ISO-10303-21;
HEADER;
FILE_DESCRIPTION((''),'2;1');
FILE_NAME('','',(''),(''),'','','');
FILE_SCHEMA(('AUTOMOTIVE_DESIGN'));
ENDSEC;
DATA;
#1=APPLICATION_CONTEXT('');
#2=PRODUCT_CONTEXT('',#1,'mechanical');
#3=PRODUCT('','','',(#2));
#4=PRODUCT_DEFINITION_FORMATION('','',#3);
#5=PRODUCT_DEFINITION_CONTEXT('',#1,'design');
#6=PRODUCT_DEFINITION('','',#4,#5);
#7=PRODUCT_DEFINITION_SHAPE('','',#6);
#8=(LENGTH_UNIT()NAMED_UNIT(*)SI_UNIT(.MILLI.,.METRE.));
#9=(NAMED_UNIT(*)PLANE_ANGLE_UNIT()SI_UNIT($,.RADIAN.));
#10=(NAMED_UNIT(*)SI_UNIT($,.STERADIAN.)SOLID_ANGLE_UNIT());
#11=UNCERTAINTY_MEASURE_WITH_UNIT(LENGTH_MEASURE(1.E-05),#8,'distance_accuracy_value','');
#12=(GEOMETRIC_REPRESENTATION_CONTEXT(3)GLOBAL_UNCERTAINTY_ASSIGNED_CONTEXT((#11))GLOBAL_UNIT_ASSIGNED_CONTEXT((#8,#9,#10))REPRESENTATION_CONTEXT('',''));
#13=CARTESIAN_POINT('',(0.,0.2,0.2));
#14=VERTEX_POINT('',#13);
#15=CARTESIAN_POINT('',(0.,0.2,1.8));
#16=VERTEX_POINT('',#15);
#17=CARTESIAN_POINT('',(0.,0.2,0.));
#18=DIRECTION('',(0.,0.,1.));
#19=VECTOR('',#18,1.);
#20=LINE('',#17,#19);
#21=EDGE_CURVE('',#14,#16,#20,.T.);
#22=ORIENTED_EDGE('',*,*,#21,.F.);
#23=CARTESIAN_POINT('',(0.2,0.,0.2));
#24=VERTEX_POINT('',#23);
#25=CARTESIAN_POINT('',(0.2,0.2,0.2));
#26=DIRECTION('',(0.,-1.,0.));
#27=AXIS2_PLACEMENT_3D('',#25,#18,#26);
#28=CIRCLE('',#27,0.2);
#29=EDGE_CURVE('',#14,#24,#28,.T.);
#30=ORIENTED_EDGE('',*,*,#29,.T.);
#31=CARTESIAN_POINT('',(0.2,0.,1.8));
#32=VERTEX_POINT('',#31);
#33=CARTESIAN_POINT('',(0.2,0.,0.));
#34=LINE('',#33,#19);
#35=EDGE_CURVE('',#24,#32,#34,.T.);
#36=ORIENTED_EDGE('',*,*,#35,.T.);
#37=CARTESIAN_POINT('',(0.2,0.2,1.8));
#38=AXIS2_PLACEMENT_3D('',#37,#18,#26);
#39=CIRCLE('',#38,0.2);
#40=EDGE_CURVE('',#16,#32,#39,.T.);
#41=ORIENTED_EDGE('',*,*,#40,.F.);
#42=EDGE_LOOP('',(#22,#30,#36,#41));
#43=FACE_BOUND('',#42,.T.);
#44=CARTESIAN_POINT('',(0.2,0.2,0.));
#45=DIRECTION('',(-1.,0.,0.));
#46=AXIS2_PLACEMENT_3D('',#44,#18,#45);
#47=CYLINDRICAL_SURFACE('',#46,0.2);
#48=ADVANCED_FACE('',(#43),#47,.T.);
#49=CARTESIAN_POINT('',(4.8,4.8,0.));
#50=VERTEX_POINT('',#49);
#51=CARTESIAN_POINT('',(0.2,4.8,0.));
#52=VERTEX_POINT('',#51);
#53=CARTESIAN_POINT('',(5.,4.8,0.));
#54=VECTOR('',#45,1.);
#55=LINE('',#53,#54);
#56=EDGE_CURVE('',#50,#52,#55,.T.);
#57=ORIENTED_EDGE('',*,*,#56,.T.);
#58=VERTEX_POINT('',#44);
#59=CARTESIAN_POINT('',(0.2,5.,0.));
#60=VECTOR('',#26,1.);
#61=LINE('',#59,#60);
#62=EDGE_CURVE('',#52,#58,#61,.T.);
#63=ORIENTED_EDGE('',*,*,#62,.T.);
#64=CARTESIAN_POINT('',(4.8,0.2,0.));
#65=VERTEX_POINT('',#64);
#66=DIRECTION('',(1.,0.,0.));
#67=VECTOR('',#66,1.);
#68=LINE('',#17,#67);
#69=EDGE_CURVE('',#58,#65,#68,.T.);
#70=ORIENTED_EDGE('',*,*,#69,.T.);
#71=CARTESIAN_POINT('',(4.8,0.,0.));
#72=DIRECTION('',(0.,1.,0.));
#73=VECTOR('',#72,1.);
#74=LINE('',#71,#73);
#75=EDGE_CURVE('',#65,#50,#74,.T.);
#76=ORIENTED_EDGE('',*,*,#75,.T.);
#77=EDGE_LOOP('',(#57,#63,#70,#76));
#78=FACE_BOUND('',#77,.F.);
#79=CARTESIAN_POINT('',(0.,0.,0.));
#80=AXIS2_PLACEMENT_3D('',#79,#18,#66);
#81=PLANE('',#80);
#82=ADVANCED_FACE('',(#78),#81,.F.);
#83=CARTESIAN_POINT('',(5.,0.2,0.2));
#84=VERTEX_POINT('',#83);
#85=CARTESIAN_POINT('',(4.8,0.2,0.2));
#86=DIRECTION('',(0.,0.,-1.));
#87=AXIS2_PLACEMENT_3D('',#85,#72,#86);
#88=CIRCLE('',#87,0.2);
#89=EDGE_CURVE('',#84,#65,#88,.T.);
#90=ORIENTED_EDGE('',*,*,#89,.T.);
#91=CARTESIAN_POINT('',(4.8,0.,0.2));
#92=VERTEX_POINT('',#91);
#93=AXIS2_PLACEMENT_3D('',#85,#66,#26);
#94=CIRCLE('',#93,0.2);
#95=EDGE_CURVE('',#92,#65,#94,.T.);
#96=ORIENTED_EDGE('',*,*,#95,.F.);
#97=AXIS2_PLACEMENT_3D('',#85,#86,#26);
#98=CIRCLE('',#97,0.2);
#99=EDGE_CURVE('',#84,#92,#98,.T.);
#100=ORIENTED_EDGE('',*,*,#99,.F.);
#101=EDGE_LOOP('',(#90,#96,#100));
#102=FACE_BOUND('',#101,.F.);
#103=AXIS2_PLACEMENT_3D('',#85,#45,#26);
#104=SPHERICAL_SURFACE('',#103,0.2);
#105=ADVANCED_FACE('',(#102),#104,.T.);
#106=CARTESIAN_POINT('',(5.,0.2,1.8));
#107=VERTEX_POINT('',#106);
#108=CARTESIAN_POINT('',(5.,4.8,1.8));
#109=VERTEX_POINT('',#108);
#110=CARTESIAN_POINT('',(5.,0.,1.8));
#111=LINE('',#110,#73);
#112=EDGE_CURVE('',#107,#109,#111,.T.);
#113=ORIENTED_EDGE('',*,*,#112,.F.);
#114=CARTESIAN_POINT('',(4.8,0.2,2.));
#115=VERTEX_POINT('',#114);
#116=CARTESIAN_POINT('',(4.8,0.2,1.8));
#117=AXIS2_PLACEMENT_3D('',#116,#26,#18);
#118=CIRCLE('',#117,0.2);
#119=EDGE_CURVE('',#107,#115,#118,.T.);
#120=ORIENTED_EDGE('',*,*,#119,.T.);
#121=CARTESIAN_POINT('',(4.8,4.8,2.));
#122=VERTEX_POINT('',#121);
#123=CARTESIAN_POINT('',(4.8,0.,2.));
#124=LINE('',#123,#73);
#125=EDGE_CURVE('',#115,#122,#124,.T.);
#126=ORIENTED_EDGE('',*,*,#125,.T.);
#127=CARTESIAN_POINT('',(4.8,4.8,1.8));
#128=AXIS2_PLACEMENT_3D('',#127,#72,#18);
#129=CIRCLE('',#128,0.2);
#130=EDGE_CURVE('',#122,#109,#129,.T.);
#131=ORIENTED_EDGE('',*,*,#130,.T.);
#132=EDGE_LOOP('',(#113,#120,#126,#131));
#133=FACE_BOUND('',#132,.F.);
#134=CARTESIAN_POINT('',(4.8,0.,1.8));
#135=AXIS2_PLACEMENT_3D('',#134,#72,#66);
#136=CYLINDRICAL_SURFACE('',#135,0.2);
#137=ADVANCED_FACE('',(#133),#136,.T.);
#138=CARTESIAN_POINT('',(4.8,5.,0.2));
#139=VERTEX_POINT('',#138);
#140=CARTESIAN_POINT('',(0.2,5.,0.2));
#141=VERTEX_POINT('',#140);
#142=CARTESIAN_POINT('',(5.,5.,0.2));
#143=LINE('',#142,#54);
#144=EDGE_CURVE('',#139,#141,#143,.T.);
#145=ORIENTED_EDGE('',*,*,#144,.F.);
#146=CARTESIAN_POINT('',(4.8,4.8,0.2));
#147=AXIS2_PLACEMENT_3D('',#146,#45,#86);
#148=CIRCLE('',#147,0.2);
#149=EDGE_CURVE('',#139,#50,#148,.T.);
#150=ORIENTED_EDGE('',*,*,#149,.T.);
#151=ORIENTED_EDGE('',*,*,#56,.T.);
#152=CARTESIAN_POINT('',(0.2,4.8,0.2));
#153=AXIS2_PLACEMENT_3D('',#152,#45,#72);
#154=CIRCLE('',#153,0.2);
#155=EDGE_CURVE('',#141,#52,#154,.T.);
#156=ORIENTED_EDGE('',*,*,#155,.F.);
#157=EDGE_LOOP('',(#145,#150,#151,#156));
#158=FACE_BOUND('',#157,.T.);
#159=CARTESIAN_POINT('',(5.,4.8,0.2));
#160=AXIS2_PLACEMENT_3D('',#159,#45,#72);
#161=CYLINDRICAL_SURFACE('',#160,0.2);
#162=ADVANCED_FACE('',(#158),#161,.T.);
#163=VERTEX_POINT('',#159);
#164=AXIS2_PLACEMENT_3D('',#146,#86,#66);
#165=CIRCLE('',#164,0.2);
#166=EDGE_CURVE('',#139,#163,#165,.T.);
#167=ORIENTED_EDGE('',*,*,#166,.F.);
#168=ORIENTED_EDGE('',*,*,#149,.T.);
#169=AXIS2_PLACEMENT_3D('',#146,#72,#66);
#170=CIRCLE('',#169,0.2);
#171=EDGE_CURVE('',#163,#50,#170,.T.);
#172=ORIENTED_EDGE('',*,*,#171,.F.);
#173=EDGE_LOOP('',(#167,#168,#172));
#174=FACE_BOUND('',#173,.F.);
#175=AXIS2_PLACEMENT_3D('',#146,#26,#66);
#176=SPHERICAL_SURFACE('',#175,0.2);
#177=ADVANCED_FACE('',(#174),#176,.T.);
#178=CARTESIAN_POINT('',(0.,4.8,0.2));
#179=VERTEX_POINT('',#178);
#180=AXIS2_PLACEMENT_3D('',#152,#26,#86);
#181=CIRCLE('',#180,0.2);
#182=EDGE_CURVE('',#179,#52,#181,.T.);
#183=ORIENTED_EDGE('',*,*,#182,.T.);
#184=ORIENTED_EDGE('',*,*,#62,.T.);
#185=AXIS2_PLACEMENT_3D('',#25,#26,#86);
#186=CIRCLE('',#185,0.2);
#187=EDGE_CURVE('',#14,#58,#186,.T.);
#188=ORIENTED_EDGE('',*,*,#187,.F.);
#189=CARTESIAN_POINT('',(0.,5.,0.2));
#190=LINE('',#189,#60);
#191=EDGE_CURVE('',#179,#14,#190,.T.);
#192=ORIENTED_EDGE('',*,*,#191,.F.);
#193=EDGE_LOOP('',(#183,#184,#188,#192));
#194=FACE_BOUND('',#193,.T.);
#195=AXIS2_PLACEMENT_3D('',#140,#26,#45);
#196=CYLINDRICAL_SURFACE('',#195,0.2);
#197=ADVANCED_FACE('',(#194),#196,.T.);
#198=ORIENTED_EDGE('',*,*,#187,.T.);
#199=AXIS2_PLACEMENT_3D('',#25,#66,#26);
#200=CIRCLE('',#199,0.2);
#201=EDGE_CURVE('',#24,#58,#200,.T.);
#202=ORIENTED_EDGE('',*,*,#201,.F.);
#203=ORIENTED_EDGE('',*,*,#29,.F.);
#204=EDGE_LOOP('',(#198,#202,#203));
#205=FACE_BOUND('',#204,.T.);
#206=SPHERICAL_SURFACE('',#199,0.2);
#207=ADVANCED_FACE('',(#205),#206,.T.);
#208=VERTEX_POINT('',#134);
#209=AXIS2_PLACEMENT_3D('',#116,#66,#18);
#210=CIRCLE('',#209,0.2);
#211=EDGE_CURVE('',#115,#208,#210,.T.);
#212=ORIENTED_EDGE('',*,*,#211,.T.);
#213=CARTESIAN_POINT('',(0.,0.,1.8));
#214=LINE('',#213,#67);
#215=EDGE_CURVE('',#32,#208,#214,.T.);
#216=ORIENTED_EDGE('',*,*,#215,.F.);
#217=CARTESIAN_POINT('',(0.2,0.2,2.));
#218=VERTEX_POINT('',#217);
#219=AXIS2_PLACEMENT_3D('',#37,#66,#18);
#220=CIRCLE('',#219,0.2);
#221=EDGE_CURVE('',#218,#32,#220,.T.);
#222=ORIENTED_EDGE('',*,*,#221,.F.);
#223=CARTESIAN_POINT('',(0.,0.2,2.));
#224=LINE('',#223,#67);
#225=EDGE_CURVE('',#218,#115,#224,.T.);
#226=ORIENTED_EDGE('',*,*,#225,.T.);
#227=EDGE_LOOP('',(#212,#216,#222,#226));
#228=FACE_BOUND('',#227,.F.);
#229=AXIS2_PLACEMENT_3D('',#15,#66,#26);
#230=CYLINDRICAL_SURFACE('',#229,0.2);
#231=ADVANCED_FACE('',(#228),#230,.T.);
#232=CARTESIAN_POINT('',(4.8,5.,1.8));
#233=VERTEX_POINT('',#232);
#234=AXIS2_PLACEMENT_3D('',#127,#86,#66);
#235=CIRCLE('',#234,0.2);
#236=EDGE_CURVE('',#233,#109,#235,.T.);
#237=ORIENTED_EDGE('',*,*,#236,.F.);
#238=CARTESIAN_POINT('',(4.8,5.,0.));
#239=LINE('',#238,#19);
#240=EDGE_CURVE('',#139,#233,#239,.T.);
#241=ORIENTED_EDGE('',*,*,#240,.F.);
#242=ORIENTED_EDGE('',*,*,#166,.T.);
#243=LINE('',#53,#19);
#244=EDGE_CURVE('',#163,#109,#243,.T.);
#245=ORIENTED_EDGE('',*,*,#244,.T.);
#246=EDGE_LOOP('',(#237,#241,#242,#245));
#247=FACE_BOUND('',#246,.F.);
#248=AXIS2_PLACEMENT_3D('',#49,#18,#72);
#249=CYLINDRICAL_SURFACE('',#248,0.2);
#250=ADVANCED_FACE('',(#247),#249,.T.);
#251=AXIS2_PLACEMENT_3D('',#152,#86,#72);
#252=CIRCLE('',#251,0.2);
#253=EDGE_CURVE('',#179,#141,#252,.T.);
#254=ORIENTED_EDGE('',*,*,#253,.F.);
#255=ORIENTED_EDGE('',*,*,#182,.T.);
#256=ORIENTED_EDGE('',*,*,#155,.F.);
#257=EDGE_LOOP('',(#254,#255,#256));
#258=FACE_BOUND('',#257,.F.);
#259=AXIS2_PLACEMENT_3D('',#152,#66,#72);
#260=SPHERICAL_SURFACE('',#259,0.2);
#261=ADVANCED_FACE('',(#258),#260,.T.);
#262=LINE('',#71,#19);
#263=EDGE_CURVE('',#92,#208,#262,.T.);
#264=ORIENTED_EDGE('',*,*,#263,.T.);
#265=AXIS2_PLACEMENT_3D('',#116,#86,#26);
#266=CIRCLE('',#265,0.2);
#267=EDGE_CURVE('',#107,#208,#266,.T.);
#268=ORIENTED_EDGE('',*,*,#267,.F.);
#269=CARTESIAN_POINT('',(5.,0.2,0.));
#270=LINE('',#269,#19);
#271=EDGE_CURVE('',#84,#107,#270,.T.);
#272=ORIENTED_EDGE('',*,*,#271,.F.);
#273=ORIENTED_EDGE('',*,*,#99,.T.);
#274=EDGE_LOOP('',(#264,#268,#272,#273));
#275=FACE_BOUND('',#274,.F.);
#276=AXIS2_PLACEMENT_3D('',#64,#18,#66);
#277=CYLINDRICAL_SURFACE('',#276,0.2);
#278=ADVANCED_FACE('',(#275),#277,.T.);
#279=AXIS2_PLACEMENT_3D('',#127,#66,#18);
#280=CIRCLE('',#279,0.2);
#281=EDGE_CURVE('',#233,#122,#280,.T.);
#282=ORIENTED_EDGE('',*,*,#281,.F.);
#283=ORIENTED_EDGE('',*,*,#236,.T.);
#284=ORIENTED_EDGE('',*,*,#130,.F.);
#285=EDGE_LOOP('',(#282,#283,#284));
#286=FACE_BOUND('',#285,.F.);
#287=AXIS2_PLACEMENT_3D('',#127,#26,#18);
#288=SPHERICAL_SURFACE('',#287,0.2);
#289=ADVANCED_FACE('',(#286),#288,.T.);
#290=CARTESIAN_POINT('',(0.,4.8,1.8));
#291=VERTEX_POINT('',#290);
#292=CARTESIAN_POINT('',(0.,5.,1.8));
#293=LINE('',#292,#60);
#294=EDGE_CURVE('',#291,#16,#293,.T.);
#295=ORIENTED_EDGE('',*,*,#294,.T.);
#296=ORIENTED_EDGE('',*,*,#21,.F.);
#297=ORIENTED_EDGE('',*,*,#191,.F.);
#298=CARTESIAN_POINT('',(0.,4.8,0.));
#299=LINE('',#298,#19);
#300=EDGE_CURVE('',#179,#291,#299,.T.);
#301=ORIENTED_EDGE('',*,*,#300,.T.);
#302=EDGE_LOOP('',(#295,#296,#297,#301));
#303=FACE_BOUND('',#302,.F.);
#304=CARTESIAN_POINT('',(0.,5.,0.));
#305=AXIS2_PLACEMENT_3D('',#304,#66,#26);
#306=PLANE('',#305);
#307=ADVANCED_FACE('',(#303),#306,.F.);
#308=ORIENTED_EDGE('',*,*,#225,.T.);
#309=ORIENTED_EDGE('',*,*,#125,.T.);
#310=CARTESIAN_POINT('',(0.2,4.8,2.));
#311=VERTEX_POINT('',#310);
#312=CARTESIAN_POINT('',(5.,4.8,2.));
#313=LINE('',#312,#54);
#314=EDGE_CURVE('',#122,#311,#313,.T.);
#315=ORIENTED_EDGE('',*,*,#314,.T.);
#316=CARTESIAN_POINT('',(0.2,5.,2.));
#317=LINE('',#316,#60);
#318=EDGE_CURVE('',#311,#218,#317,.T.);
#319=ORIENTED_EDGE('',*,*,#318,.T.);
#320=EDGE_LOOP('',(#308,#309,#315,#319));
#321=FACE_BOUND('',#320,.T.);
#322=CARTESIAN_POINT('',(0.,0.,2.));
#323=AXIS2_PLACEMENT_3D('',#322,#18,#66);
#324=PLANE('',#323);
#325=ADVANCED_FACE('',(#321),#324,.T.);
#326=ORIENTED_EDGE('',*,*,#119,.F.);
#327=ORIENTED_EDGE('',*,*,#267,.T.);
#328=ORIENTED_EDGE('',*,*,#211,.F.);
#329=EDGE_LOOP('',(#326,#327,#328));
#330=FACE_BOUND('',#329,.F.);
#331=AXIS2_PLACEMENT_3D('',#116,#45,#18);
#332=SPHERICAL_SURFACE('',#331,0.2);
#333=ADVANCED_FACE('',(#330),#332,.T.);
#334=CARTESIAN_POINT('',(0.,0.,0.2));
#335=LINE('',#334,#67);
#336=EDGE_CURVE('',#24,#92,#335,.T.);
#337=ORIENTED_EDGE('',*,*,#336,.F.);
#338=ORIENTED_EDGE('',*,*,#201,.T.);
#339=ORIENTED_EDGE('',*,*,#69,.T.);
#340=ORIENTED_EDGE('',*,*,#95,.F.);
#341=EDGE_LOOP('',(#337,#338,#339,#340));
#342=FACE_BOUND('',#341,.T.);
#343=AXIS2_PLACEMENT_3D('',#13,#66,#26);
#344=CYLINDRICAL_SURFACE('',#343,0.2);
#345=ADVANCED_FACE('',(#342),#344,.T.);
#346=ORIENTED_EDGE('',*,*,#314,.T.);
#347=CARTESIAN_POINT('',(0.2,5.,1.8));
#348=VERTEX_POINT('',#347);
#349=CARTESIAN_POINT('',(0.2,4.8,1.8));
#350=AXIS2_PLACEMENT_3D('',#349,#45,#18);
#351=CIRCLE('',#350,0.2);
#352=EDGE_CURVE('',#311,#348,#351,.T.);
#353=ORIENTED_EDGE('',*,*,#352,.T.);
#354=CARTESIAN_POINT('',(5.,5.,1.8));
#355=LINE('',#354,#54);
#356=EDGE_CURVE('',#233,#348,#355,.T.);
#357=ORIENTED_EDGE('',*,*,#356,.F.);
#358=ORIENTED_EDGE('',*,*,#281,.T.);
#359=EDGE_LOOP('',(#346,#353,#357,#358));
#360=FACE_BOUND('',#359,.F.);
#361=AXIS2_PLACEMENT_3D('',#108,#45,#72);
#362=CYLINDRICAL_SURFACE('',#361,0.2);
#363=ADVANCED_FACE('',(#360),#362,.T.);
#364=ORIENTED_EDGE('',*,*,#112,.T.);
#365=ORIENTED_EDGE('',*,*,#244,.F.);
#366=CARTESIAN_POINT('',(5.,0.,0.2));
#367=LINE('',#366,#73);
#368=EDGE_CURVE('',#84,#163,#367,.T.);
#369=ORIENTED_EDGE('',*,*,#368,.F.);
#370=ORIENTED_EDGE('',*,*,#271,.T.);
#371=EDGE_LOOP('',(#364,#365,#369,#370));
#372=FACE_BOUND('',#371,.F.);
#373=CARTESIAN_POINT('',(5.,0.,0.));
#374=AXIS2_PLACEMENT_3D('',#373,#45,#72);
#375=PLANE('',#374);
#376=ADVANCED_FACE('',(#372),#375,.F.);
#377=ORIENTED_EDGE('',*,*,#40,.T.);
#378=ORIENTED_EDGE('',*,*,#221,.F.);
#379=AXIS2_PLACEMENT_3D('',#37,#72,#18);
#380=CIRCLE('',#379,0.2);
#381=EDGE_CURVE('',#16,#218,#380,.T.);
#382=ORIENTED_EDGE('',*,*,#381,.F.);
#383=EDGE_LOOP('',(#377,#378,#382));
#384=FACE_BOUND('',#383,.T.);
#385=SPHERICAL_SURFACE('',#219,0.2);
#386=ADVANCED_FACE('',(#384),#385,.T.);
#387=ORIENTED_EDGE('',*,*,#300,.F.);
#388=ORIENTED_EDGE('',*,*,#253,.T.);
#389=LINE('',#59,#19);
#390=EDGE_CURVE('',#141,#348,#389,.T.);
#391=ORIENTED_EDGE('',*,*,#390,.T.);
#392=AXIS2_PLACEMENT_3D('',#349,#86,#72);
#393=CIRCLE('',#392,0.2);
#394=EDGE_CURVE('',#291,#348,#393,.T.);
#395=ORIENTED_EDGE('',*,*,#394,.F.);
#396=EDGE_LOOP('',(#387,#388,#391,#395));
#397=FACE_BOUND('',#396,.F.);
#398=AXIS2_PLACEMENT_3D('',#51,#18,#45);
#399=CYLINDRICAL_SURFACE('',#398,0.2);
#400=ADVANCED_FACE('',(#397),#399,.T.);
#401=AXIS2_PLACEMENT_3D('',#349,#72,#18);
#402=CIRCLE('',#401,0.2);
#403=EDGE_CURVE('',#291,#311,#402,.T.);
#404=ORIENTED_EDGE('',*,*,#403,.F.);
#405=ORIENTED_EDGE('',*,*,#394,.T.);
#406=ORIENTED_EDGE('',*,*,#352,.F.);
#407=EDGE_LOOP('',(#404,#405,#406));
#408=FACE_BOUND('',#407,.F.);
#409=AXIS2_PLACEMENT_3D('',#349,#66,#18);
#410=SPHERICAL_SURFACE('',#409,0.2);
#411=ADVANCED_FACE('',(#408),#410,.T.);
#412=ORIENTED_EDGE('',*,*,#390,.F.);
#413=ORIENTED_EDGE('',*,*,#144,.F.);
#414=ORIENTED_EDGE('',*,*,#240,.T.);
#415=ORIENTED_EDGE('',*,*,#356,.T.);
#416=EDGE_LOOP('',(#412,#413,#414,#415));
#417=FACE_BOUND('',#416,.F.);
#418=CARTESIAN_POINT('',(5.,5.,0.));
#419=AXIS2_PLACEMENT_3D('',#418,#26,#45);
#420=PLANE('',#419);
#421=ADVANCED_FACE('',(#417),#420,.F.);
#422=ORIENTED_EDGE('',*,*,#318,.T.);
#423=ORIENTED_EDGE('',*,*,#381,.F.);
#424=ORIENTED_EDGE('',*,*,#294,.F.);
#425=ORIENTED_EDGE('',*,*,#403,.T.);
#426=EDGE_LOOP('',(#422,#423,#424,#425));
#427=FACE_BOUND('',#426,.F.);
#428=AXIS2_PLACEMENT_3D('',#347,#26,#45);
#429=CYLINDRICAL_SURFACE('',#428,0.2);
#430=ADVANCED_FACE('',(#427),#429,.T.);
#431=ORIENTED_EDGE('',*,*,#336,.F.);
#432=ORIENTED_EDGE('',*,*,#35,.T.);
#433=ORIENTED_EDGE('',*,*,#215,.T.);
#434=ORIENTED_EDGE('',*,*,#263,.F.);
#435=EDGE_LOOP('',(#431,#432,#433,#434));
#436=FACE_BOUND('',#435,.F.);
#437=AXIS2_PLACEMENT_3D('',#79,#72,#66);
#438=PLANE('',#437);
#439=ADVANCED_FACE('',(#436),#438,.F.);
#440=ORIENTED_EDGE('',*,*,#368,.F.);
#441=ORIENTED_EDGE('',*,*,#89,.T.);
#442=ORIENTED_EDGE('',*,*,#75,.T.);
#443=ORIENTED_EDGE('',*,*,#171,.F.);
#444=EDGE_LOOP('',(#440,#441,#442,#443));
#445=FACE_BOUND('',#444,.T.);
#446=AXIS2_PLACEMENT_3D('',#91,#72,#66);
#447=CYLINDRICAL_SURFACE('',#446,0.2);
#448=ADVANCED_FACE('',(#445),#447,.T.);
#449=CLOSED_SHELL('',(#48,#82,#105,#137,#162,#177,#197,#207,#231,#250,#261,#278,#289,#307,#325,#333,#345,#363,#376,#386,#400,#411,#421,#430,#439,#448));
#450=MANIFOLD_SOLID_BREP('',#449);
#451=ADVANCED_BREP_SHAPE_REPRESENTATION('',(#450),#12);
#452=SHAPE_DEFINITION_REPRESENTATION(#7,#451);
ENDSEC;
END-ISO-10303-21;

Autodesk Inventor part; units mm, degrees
ref_plane "YZ Plane" through (0, 0, 0) normal (1, 0, 0) x (0, 1, 0)
ref_plane "XZ Plane" through (0, 0, 0) normal (0, 1, 0) x (-1, 0, 0)
ref_plane "XY Plane" through (0, 0, 0) normal (0, 0, 1) x (1, 0, 0)
sketch "Sketch1" plane through (0, 0, 0) normal (0, 0, 1) x (1, 0, 0)
  line L0 (0, 0) -> (5, 0)
  line L1 (5, 0) -> (5, 5)
  line L2 (5, 5) -> (0, 5)
  line L3 (0, 5) -> (0, 0)
  dimension "d0" = 5
  dimension "d1" = 5
extrude "Extrusion1" add sketch "Sketch1" along normal blind 2
fillet "Congé1" radius 0.2 12 edges at (2.5, 0, 2) (5, 2.5, 2) (2.5, 5, 2) (0, 2.5, 2) (2.5, 0, 0) (5, 0, 1) (0, 0, 1) (5, 2.5, 0) (5, 5, 1) (2.5, 5, 0) (0, 5, 1) (0, 2.5, 0)
properties part number "FE016" material "Fourniture / Geliefertes"
